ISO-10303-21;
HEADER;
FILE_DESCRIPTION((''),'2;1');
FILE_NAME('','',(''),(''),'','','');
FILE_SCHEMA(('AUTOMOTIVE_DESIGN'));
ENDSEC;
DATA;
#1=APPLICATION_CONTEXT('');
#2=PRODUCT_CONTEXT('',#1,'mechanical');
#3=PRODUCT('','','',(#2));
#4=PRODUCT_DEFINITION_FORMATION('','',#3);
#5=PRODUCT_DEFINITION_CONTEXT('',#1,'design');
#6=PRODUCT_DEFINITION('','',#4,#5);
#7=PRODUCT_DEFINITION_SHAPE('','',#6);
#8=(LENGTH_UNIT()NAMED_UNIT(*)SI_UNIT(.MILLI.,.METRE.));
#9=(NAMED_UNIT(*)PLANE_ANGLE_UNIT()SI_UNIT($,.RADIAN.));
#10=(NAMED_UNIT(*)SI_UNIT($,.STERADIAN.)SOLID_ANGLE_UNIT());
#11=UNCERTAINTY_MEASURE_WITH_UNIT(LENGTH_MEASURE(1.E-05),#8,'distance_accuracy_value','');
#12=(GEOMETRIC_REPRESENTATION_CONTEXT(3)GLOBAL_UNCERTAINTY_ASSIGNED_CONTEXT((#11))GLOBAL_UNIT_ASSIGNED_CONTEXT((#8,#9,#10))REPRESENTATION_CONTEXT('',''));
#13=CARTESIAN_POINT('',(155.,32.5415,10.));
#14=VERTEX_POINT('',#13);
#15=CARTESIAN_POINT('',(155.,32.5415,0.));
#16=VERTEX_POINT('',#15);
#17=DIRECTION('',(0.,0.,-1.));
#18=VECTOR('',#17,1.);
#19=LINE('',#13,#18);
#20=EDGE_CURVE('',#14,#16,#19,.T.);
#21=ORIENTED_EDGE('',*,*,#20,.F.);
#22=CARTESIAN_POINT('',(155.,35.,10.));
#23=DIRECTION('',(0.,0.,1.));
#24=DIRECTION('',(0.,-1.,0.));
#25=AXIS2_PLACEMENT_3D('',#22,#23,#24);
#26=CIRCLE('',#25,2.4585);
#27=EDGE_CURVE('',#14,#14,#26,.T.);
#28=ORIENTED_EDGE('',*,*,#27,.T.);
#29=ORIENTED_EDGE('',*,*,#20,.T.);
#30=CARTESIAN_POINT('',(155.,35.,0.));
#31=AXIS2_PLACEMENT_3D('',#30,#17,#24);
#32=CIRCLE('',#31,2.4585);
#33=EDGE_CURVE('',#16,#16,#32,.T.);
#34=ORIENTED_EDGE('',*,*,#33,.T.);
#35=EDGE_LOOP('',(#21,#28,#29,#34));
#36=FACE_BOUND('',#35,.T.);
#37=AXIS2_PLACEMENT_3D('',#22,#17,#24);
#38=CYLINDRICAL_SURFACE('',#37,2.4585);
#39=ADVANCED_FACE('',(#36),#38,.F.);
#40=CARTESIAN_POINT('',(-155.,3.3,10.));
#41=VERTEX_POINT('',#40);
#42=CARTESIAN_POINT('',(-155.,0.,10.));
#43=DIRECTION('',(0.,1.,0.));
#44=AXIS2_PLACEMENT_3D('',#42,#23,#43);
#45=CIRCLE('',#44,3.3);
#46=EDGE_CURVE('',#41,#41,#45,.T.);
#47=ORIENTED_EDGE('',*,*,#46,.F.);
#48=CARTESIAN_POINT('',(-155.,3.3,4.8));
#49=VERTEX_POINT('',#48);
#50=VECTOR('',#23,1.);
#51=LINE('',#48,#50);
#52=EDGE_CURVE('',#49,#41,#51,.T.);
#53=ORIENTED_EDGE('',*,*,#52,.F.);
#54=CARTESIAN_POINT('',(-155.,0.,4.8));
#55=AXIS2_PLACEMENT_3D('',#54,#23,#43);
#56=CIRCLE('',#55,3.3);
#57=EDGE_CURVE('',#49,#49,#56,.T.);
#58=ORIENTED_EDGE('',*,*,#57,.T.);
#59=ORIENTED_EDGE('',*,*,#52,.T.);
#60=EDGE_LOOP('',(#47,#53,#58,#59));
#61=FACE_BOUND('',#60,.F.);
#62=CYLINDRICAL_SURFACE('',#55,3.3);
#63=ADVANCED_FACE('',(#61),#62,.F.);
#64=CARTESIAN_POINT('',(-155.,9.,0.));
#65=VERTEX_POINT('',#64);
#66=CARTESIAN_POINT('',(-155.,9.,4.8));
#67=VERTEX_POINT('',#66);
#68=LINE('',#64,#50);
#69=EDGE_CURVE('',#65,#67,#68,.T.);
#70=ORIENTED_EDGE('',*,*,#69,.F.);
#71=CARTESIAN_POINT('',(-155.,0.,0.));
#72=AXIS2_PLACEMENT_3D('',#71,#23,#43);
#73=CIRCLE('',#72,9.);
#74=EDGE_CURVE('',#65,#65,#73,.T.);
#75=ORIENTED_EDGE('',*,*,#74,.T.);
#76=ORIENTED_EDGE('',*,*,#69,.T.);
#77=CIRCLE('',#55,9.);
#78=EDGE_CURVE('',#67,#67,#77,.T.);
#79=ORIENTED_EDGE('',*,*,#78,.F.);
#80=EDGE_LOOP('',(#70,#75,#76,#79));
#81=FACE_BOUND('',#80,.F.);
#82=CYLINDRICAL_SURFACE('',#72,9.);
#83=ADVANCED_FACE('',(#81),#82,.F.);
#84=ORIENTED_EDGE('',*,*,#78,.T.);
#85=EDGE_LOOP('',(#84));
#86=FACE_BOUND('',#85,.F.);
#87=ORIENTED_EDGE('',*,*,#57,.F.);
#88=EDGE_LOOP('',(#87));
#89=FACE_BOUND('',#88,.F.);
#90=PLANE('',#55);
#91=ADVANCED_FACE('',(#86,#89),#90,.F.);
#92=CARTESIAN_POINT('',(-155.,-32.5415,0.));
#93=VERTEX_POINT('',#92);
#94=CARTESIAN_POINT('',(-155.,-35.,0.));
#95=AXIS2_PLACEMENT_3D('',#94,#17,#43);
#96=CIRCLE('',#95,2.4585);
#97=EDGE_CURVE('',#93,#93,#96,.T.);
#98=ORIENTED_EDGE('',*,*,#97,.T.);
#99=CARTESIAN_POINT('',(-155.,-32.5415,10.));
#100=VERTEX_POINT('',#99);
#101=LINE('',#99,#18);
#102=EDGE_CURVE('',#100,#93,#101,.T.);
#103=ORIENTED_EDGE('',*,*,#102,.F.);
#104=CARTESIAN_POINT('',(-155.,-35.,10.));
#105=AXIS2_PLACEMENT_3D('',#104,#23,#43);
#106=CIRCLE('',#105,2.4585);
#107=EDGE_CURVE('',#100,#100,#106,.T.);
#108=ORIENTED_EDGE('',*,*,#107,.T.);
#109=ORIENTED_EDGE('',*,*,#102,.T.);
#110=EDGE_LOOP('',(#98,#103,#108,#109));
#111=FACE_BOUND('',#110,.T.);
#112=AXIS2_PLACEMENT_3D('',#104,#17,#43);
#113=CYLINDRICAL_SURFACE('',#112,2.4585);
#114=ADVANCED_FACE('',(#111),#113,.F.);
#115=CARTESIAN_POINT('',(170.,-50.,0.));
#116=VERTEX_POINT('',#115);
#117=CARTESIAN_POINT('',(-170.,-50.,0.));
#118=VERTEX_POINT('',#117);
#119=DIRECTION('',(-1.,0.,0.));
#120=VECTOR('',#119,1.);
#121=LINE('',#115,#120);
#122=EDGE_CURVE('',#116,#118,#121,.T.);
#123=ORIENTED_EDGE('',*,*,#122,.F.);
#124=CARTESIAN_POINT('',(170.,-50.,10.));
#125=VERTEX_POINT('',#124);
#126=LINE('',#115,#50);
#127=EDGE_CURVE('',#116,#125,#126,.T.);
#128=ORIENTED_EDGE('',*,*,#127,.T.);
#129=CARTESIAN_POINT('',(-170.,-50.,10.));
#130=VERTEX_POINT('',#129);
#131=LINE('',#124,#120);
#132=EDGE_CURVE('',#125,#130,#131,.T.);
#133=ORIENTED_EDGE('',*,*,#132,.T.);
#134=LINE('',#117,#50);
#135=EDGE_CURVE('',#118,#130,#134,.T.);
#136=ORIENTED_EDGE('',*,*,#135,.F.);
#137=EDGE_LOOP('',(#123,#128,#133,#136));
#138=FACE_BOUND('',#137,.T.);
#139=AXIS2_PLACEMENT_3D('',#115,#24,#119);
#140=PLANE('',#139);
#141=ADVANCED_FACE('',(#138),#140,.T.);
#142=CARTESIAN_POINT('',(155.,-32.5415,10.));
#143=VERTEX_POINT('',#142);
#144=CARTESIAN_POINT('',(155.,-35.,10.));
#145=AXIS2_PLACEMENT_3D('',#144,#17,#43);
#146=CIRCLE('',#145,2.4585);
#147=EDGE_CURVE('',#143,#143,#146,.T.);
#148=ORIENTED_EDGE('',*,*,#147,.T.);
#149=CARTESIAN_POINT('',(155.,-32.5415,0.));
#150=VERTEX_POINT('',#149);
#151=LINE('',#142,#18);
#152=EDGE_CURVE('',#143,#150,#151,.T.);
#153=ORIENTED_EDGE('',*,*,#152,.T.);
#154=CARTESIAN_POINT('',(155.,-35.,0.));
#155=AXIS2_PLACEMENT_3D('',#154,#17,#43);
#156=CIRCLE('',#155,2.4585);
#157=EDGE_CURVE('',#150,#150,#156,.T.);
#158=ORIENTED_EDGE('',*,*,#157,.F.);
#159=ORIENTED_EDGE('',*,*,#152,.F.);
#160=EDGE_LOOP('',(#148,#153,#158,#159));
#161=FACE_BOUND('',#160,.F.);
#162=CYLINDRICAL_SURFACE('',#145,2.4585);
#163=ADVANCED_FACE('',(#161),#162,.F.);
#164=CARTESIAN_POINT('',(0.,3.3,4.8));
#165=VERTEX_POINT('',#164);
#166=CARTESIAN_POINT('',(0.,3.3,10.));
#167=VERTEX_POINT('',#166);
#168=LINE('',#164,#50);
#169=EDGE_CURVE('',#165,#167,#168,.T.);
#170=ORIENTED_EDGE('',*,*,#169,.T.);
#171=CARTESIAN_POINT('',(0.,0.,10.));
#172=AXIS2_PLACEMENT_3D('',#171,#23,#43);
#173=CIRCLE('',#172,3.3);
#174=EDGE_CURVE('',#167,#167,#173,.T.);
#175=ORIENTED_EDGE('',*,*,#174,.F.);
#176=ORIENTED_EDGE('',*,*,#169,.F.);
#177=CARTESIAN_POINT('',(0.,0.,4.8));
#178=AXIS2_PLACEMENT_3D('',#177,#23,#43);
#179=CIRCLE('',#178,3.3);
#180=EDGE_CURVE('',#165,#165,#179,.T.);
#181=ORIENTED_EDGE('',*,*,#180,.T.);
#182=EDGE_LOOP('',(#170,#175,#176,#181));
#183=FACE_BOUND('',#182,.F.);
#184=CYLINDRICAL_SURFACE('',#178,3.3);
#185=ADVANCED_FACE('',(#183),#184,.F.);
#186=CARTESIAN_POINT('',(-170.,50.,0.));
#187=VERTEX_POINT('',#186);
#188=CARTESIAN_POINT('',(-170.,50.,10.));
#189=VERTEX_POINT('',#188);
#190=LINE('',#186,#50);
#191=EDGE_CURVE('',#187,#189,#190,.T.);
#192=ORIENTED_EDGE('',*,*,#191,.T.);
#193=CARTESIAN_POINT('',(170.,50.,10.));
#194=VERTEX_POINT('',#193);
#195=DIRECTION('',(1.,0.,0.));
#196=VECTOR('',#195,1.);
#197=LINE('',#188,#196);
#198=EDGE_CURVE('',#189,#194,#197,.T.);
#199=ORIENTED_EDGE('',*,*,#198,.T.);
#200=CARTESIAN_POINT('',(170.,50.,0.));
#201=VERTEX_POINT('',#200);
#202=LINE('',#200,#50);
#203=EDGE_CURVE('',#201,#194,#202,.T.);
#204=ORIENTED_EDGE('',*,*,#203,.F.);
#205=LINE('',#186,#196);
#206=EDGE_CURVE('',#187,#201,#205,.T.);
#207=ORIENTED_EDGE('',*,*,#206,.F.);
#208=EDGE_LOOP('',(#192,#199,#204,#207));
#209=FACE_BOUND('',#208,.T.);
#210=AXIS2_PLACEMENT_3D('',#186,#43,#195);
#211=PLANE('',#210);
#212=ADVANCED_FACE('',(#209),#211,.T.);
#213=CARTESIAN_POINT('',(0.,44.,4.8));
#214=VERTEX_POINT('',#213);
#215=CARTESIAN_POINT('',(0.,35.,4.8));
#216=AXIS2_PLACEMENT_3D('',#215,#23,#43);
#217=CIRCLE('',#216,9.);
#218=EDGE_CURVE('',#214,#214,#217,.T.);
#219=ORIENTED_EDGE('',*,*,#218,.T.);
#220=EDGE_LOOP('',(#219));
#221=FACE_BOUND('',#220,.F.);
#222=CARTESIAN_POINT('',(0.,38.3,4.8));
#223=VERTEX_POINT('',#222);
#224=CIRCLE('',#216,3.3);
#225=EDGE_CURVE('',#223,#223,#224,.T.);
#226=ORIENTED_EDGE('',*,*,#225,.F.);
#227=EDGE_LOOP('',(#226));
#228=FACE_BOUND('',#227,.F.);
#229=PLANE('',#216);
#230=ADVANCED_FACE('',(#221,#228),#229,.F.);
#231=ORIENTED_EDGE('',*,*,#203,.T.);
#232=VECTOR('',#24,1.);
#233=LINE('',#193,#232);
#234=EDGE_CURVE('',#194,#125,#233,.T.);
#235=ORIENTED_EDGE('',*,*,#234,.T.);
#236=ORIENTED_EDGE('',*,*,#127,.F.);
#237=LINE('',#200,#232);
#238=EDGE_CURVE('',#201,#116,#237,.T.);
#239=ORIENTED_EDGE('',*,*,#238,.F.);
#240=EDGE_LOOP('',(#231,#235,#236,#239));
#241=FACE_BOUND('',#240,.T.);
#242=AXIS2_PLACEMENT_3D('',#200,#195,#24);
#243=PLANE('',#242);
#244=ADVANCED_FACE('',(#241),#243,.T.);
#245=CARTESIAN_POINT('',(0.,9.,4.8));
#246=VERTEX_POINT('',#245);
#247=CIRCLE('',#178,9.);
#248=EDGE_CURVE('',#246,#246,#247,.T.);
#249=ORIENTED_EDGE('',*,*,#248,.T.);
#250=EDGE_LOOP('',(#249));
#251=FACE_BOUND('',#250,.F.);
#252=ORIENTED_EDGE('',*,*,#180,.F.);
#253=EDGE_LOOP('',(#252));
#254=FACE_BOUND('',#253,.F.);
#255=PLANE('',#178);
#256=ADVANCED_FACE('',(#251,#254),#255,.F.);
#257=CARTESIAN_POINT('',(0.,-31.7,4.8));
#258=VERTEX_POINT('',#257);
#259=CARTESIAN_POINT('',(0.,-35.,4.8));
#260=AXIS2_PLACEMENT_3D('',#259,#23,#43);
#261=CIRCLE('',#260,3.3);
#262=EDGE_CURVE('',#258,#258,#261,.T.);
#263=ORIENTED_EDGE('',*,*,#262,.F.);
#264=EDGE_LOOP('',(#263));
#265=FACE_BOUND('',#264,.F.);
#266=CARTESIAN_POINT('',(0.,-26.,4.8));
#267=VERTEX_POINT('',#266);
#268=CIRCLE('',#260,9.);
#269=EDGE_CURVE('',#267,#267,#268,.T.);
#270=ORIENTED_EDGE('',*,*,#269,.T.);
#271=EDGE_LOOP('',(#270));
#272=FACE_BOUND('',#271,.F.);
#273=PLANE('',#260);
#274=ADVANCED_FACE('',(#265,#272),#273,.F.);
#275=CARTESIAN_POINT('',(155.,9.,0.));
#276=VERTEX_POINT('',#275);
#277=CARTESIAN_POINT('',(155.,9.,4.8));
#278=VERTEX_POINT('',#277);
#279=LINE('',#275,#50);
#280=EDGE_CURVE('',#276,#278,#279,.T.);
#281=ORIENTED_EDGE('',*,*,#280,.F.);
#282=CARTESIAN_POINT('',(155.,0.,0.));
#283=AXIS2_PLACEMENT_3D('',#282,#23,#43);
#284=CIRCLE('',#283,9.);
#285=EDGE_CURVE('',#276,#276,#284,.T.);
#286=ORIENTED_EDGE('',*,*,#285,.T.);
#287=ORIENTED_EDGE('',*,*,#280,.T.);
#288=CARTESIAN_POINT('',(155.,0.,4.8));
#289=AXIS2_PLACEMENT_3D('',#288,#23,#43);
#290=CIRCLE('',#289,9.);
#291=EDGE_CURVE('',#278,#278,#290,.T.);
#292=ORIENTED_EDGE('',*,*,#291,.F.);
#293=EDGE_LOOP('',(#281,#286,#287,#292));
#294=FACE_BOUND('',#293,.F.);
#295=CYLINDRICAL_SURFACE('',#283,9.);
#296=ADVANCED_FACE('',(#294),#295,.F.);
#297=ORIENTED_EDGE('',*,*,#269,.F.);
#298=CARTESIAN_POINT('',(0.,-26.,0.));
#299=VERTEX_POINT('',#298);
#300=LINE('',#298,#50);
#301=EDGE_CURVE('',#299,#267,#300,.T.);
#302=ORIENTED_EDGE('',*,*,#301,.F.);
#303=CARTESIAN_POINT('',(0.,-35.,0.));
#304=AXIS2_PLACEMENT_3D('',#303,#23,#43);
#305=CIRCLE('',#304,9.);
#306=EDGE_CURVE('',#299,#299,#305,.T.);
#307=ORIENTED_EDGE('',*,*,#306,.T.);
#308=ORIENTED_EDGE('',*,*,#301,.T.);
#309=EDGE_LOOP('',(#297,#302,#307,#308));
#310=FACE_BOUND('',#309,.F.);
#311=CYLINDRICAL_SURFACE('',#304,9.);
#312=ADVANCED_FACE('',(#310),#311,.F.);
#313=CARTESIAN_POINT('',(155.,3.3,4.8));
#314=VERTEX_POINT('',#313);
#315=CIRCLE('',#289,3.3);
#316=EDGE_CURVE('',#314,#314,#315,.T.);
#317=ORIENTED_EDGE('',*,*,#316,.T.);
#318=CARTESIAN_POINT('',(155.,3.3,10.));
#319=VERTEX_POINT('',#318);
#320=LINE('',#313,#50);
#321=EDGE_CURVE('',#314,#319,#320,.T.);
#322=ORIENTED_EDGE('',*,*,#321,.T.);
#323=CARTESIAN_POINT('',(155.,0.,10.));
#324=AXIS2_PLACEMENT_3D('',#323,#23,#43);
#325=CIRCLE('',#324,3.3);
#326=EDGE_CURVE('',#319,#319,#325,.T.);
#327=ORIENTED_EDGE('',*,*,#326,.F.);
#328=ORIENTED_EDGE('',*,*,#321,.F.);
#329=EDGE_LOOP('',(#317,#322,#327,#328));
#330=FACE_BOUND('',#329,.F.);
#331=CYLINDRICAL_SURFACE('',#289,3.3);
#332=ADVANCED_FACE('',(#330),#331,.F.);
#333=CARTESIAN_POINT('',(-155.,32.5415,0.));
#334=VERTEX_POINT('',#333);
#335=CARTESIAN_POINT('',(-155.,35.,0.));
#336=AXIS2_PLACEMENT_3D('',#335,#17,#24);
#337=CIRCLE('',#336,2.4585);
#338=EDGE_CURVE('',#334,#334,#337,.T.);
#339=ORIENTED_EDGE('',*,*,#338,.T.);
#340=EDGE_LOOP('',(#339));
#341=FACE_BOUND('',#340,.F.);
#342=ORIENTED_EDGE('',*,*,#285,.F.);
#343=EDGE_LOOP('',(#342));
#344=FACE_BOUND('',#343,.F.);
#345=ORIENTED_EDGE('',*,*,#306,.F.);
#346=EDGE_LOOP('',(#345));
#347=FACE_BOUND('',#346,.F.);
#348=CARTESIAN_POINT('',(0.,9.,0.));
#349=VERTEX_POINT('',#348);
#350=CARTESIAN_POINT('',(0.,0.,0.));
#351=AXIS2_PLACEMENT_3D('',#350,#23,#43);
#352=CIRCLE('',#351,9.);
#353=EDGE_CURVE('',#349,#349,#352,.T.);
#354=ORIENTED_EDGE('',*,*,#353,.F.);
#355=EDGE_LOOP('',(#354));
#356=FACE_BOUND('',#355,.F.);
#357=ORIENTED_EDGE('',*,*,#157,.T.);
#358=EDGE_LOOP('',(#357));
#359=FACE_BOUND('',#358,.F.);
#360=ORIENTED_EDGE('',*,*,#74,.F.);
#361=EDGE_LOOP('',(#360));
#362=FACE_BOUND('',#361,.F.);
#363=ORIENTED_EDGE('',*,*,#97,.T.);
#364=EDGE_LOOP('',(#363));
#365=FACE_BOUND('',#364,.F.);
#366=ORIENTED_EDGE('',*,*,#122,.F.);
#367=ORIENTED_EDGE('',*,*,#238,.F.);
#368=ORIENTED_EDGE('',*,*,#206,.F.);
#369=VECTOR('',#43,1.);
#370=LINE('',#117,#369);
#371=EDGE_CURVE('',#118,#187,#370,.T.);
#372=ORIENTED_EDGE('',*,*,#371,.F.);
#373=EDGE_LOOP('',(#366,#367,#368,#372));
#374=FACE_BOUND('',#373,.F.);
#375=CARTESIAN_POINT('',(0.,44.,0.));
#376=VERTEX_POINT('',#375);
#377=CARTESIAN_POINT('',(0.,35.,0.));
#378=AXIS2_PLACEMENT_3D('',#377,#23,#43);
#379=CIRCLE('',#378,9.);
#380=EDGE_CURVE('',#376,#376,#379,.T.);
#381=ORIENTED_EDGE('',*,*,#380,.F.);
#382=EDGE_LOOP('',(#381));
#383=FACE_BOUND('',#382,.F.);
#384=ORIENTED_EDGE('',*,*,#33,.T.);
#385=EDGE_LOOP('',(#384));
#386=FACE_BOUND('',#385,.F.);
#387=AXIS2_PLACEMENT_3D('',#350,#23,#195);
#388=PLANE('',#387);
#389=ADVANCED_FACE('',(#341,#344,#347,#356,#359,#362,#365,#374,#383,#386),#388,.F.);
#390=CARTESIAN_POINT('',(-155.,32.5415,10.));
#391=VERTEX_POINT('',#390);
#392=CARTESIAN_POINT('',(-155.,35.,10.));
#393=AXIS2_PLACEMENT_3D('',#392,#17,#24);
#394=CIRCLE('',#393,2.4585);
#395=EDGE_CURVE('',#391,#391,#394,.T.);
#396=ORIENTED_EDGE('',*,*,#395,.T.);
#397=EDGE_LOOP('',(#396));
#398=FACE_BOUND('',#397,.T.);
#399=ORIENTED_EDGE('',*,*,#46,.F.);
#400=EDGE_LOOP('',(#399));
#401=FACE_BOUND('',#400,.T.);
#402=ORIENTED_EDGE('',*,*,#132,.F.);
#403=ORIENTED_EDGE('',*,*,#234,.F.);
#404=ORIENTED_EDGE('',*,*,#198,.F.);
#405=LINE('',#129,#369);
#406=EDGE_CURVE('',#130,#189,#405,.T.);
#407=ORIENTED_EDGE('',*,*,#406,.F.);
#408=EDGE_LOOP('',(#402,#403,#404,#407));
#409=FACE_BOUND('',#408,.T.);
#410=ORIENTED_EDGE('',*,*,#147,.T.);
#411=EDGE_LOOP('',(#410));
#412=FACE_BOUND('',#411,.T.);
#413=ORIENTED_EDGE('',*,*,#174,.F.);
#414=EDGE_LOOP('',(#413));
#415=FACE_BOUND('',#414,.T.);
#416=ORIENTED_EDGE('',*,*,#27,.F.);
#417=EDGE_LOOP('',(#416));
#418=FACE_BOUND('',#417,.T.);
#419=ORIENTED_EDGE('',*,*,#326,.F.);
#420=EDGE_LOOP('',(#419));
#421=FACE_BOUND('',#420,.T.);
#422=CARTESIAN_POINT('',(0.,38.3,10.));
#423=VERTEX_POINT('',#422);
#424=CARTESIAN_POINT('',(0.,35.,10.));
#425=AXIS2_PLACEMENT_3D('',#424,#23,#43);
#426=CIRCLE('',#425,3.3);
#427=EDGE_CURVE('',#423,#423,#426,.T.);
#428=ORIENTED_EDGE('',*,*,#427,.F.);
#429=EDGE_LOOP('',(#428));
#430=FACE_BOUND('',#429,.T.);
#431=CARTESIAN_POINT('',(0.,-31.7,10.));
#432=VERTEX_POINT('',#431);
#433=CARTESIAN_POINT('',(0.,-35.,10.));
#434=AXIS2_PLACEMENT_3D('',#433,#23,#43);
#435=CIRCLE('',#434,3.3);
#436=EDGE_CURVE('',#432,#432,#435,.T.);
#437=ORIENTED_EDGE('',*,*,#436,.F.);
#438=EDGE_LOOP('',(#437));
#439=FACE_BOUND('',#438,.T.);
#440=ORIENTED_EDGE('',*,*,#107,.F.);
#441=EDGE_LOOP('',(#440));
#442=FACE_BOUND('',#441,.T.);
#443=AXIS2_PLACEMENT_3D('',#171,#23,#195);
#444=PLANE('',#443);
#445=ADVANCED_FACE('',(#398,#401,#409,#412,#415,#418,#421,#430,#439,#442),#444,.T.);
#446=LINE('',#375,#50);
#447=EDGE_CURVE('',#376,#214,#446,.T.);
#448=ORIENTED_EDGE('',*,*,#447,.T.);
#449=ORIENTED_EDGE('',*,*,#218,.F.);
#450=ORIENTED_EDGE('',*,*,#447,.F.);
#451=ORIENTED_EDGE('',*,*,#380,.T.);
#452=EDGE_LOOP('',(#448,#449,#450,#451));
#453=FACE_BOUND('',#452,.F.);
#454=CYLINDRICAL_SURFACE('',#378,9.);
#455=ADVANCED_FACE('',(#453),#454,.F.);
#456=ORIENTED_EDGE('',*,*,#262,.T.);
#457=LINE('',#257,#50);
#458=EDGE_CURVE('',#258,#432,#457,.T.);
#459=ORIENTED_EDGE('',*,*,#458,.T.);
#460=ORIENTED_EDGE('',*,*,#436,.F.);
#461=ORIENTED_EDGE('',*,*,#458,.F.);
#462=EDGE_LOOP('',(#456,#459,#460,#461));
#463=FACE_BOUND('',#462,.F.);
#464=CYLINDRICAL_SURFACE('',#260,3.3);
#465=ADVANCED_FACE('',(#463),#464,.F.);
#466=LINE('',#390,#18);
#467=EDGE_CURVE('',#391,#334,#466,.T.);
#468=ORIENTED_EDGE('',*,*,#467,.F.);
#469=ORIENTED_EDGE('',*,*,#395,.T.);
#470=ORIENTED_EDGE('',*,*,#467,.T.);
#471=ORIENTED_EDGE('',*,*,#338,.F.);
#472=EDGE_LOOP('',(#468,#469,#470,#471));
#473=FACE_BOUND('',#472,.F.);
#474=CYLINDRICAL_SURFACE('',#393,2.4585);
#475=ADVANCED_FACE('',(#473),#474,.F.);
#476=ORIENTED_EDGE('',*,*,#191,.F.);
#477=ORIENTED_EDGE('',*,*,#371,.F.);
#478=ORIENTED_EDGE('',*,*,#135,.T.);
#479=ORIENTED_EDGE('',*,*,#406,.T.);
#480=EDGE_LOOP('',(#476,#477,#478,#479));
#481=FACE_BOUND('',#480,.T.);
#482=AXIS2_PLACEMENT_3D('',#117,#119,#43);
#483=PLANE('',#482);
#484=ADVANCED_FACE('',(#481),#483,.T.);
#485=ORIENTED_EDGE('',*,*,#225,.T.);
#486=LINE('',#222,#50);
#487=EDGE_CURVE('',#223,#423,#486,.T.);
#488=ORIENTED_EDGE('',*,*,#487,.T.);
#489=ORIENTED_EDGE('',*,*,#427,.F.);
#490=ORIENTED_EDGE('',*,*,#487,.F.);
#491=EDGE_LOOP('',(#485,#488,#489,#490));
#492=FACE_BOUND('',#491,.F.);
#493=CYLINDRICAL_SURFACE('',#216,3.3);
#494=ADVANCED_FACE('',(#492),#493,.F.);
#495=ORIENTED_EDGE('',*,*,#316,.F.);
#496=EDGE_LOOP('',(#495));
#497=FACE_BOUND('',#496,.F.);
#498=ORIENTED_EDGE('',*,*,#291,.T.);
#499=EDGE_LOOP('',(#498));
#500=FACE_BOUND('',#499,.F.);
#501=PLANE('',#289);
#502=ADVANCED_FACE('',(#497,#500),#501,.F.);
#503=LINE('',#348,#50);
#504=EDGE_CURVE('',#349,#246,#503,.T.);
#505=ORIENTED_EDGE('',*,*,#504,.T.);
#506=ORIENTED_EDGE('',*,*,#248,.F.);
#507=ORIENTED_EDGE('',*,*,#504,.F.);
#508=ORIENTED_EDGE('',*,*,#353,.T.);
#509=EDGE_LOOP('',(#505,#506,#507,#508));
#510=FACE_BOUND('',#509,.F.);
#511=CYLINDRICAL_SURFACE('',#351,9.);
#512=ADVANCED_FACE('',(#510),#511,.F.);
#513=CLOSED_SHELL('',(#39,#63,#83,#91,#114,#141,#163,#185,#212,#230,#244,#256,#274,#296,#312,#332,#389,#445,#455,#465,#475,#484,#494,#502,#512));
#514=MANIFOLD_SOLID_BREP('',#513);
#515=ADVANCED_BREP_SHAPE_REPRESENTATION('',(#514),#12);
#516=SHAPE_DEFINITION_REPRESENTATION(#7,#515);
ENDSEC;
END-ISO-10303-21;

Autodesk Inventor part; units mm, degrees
ref_plane "YZ Plane" through (0, 0, 0) normal (1, 0, 0) x (0, 1, 0)
ref_plane "XZ Plane" through (0, 0, 0) normal (0, 1, 0) x (-1, 0, 0)
ref_plane "XY Plane" through (0, 0, 0) normal (0, 0, 1) x (1, 0, 0)
sketch "Sketch1" plane through (0, 0, 0) normal (0, 0, 1) x (1, 0, 0)
  line L0 (-170, 50) -> (170, 50)
  line L1 (170, 50) -> (170, -50)
  line L2 (170, -50) -> (-170, -50)
  line L3 (-170, -50) -> (-170, 50)
  point P0 (0, 0)
  dimension "d0" = 340
  dimension "d1" = 170
  dimension "d2" = 100
  dimension "d3" = 50
extrude "baseExtrusion" add sketch "Sketch1" along normal blind 10
sketch "Sketch2" plane through (0, 0, 10) normal (0, 0, 1) x (1, 0, 0)
  line L0 (170, 50) -> (-170, 50) projected
  line L1 (-170, 50) -> (-170, -50) projected
  point P0 (0, 0)
  point P1 (-155, 35)
  dimension "d6" = 15
  dimension "d7" = 15
hole "xyStiltpt1m6MountingHoles" at (-155, 35, 10) direction (0, 0, -1) diameter 4.917 end through all thread size "M6x1" class "6H" standard "ISO Metric profile"
mirror "Mirror2" about plane through (0, 0, 0) normal (1, 0, 0) of "xyStiltpt1m6MountingHoles"
mirror "Mirror3" about plane through (0, 0, 0) normal (0, 1, 0) of "xyStiltpt1m6MountingHoles", "Mirror2"
sketch "Sketch4" plane through (0, 0, 0) normal (0, 0, -1) x (-1, 0, 0)
  line L0 (170, -50) -> (170, 50) projected
  line L1 (170, 50) -> (-170, 50) projected
  line L2 (-170, 50) -> (-170, -50) projected
  line L3 (-170, -50) -> (170, -50) projected
  point P0 (0, 0)
  point P1 (155, 0)
  point P2 (0, 0)
  point P3 (0, 35)
  point P4 (0, -35)
  point P5 (-155, 0)
  dimension "d24" = 15
  dimension "d25" = 15
  dimension "d26" = 15
  dimension "d27" = 15
hole "Hole3" at (-155, 0, 0) at (0, 0, 0) at (0, 35, 0) at (0, -35, 0) at (155, 0, 0) direction (0, 0, 1) diameter 6.6 end through all counterbore diameter 18 counterbore depth 4.8 clearance for "Hex Head Cap Screw ISO 24017" size "M6" standard "ISO"
equation "\"d1\" = 0.5 * d0"
equation "\"d3\" = 0.5 * d2"
properties part number "xyStageStilt_pt2"
